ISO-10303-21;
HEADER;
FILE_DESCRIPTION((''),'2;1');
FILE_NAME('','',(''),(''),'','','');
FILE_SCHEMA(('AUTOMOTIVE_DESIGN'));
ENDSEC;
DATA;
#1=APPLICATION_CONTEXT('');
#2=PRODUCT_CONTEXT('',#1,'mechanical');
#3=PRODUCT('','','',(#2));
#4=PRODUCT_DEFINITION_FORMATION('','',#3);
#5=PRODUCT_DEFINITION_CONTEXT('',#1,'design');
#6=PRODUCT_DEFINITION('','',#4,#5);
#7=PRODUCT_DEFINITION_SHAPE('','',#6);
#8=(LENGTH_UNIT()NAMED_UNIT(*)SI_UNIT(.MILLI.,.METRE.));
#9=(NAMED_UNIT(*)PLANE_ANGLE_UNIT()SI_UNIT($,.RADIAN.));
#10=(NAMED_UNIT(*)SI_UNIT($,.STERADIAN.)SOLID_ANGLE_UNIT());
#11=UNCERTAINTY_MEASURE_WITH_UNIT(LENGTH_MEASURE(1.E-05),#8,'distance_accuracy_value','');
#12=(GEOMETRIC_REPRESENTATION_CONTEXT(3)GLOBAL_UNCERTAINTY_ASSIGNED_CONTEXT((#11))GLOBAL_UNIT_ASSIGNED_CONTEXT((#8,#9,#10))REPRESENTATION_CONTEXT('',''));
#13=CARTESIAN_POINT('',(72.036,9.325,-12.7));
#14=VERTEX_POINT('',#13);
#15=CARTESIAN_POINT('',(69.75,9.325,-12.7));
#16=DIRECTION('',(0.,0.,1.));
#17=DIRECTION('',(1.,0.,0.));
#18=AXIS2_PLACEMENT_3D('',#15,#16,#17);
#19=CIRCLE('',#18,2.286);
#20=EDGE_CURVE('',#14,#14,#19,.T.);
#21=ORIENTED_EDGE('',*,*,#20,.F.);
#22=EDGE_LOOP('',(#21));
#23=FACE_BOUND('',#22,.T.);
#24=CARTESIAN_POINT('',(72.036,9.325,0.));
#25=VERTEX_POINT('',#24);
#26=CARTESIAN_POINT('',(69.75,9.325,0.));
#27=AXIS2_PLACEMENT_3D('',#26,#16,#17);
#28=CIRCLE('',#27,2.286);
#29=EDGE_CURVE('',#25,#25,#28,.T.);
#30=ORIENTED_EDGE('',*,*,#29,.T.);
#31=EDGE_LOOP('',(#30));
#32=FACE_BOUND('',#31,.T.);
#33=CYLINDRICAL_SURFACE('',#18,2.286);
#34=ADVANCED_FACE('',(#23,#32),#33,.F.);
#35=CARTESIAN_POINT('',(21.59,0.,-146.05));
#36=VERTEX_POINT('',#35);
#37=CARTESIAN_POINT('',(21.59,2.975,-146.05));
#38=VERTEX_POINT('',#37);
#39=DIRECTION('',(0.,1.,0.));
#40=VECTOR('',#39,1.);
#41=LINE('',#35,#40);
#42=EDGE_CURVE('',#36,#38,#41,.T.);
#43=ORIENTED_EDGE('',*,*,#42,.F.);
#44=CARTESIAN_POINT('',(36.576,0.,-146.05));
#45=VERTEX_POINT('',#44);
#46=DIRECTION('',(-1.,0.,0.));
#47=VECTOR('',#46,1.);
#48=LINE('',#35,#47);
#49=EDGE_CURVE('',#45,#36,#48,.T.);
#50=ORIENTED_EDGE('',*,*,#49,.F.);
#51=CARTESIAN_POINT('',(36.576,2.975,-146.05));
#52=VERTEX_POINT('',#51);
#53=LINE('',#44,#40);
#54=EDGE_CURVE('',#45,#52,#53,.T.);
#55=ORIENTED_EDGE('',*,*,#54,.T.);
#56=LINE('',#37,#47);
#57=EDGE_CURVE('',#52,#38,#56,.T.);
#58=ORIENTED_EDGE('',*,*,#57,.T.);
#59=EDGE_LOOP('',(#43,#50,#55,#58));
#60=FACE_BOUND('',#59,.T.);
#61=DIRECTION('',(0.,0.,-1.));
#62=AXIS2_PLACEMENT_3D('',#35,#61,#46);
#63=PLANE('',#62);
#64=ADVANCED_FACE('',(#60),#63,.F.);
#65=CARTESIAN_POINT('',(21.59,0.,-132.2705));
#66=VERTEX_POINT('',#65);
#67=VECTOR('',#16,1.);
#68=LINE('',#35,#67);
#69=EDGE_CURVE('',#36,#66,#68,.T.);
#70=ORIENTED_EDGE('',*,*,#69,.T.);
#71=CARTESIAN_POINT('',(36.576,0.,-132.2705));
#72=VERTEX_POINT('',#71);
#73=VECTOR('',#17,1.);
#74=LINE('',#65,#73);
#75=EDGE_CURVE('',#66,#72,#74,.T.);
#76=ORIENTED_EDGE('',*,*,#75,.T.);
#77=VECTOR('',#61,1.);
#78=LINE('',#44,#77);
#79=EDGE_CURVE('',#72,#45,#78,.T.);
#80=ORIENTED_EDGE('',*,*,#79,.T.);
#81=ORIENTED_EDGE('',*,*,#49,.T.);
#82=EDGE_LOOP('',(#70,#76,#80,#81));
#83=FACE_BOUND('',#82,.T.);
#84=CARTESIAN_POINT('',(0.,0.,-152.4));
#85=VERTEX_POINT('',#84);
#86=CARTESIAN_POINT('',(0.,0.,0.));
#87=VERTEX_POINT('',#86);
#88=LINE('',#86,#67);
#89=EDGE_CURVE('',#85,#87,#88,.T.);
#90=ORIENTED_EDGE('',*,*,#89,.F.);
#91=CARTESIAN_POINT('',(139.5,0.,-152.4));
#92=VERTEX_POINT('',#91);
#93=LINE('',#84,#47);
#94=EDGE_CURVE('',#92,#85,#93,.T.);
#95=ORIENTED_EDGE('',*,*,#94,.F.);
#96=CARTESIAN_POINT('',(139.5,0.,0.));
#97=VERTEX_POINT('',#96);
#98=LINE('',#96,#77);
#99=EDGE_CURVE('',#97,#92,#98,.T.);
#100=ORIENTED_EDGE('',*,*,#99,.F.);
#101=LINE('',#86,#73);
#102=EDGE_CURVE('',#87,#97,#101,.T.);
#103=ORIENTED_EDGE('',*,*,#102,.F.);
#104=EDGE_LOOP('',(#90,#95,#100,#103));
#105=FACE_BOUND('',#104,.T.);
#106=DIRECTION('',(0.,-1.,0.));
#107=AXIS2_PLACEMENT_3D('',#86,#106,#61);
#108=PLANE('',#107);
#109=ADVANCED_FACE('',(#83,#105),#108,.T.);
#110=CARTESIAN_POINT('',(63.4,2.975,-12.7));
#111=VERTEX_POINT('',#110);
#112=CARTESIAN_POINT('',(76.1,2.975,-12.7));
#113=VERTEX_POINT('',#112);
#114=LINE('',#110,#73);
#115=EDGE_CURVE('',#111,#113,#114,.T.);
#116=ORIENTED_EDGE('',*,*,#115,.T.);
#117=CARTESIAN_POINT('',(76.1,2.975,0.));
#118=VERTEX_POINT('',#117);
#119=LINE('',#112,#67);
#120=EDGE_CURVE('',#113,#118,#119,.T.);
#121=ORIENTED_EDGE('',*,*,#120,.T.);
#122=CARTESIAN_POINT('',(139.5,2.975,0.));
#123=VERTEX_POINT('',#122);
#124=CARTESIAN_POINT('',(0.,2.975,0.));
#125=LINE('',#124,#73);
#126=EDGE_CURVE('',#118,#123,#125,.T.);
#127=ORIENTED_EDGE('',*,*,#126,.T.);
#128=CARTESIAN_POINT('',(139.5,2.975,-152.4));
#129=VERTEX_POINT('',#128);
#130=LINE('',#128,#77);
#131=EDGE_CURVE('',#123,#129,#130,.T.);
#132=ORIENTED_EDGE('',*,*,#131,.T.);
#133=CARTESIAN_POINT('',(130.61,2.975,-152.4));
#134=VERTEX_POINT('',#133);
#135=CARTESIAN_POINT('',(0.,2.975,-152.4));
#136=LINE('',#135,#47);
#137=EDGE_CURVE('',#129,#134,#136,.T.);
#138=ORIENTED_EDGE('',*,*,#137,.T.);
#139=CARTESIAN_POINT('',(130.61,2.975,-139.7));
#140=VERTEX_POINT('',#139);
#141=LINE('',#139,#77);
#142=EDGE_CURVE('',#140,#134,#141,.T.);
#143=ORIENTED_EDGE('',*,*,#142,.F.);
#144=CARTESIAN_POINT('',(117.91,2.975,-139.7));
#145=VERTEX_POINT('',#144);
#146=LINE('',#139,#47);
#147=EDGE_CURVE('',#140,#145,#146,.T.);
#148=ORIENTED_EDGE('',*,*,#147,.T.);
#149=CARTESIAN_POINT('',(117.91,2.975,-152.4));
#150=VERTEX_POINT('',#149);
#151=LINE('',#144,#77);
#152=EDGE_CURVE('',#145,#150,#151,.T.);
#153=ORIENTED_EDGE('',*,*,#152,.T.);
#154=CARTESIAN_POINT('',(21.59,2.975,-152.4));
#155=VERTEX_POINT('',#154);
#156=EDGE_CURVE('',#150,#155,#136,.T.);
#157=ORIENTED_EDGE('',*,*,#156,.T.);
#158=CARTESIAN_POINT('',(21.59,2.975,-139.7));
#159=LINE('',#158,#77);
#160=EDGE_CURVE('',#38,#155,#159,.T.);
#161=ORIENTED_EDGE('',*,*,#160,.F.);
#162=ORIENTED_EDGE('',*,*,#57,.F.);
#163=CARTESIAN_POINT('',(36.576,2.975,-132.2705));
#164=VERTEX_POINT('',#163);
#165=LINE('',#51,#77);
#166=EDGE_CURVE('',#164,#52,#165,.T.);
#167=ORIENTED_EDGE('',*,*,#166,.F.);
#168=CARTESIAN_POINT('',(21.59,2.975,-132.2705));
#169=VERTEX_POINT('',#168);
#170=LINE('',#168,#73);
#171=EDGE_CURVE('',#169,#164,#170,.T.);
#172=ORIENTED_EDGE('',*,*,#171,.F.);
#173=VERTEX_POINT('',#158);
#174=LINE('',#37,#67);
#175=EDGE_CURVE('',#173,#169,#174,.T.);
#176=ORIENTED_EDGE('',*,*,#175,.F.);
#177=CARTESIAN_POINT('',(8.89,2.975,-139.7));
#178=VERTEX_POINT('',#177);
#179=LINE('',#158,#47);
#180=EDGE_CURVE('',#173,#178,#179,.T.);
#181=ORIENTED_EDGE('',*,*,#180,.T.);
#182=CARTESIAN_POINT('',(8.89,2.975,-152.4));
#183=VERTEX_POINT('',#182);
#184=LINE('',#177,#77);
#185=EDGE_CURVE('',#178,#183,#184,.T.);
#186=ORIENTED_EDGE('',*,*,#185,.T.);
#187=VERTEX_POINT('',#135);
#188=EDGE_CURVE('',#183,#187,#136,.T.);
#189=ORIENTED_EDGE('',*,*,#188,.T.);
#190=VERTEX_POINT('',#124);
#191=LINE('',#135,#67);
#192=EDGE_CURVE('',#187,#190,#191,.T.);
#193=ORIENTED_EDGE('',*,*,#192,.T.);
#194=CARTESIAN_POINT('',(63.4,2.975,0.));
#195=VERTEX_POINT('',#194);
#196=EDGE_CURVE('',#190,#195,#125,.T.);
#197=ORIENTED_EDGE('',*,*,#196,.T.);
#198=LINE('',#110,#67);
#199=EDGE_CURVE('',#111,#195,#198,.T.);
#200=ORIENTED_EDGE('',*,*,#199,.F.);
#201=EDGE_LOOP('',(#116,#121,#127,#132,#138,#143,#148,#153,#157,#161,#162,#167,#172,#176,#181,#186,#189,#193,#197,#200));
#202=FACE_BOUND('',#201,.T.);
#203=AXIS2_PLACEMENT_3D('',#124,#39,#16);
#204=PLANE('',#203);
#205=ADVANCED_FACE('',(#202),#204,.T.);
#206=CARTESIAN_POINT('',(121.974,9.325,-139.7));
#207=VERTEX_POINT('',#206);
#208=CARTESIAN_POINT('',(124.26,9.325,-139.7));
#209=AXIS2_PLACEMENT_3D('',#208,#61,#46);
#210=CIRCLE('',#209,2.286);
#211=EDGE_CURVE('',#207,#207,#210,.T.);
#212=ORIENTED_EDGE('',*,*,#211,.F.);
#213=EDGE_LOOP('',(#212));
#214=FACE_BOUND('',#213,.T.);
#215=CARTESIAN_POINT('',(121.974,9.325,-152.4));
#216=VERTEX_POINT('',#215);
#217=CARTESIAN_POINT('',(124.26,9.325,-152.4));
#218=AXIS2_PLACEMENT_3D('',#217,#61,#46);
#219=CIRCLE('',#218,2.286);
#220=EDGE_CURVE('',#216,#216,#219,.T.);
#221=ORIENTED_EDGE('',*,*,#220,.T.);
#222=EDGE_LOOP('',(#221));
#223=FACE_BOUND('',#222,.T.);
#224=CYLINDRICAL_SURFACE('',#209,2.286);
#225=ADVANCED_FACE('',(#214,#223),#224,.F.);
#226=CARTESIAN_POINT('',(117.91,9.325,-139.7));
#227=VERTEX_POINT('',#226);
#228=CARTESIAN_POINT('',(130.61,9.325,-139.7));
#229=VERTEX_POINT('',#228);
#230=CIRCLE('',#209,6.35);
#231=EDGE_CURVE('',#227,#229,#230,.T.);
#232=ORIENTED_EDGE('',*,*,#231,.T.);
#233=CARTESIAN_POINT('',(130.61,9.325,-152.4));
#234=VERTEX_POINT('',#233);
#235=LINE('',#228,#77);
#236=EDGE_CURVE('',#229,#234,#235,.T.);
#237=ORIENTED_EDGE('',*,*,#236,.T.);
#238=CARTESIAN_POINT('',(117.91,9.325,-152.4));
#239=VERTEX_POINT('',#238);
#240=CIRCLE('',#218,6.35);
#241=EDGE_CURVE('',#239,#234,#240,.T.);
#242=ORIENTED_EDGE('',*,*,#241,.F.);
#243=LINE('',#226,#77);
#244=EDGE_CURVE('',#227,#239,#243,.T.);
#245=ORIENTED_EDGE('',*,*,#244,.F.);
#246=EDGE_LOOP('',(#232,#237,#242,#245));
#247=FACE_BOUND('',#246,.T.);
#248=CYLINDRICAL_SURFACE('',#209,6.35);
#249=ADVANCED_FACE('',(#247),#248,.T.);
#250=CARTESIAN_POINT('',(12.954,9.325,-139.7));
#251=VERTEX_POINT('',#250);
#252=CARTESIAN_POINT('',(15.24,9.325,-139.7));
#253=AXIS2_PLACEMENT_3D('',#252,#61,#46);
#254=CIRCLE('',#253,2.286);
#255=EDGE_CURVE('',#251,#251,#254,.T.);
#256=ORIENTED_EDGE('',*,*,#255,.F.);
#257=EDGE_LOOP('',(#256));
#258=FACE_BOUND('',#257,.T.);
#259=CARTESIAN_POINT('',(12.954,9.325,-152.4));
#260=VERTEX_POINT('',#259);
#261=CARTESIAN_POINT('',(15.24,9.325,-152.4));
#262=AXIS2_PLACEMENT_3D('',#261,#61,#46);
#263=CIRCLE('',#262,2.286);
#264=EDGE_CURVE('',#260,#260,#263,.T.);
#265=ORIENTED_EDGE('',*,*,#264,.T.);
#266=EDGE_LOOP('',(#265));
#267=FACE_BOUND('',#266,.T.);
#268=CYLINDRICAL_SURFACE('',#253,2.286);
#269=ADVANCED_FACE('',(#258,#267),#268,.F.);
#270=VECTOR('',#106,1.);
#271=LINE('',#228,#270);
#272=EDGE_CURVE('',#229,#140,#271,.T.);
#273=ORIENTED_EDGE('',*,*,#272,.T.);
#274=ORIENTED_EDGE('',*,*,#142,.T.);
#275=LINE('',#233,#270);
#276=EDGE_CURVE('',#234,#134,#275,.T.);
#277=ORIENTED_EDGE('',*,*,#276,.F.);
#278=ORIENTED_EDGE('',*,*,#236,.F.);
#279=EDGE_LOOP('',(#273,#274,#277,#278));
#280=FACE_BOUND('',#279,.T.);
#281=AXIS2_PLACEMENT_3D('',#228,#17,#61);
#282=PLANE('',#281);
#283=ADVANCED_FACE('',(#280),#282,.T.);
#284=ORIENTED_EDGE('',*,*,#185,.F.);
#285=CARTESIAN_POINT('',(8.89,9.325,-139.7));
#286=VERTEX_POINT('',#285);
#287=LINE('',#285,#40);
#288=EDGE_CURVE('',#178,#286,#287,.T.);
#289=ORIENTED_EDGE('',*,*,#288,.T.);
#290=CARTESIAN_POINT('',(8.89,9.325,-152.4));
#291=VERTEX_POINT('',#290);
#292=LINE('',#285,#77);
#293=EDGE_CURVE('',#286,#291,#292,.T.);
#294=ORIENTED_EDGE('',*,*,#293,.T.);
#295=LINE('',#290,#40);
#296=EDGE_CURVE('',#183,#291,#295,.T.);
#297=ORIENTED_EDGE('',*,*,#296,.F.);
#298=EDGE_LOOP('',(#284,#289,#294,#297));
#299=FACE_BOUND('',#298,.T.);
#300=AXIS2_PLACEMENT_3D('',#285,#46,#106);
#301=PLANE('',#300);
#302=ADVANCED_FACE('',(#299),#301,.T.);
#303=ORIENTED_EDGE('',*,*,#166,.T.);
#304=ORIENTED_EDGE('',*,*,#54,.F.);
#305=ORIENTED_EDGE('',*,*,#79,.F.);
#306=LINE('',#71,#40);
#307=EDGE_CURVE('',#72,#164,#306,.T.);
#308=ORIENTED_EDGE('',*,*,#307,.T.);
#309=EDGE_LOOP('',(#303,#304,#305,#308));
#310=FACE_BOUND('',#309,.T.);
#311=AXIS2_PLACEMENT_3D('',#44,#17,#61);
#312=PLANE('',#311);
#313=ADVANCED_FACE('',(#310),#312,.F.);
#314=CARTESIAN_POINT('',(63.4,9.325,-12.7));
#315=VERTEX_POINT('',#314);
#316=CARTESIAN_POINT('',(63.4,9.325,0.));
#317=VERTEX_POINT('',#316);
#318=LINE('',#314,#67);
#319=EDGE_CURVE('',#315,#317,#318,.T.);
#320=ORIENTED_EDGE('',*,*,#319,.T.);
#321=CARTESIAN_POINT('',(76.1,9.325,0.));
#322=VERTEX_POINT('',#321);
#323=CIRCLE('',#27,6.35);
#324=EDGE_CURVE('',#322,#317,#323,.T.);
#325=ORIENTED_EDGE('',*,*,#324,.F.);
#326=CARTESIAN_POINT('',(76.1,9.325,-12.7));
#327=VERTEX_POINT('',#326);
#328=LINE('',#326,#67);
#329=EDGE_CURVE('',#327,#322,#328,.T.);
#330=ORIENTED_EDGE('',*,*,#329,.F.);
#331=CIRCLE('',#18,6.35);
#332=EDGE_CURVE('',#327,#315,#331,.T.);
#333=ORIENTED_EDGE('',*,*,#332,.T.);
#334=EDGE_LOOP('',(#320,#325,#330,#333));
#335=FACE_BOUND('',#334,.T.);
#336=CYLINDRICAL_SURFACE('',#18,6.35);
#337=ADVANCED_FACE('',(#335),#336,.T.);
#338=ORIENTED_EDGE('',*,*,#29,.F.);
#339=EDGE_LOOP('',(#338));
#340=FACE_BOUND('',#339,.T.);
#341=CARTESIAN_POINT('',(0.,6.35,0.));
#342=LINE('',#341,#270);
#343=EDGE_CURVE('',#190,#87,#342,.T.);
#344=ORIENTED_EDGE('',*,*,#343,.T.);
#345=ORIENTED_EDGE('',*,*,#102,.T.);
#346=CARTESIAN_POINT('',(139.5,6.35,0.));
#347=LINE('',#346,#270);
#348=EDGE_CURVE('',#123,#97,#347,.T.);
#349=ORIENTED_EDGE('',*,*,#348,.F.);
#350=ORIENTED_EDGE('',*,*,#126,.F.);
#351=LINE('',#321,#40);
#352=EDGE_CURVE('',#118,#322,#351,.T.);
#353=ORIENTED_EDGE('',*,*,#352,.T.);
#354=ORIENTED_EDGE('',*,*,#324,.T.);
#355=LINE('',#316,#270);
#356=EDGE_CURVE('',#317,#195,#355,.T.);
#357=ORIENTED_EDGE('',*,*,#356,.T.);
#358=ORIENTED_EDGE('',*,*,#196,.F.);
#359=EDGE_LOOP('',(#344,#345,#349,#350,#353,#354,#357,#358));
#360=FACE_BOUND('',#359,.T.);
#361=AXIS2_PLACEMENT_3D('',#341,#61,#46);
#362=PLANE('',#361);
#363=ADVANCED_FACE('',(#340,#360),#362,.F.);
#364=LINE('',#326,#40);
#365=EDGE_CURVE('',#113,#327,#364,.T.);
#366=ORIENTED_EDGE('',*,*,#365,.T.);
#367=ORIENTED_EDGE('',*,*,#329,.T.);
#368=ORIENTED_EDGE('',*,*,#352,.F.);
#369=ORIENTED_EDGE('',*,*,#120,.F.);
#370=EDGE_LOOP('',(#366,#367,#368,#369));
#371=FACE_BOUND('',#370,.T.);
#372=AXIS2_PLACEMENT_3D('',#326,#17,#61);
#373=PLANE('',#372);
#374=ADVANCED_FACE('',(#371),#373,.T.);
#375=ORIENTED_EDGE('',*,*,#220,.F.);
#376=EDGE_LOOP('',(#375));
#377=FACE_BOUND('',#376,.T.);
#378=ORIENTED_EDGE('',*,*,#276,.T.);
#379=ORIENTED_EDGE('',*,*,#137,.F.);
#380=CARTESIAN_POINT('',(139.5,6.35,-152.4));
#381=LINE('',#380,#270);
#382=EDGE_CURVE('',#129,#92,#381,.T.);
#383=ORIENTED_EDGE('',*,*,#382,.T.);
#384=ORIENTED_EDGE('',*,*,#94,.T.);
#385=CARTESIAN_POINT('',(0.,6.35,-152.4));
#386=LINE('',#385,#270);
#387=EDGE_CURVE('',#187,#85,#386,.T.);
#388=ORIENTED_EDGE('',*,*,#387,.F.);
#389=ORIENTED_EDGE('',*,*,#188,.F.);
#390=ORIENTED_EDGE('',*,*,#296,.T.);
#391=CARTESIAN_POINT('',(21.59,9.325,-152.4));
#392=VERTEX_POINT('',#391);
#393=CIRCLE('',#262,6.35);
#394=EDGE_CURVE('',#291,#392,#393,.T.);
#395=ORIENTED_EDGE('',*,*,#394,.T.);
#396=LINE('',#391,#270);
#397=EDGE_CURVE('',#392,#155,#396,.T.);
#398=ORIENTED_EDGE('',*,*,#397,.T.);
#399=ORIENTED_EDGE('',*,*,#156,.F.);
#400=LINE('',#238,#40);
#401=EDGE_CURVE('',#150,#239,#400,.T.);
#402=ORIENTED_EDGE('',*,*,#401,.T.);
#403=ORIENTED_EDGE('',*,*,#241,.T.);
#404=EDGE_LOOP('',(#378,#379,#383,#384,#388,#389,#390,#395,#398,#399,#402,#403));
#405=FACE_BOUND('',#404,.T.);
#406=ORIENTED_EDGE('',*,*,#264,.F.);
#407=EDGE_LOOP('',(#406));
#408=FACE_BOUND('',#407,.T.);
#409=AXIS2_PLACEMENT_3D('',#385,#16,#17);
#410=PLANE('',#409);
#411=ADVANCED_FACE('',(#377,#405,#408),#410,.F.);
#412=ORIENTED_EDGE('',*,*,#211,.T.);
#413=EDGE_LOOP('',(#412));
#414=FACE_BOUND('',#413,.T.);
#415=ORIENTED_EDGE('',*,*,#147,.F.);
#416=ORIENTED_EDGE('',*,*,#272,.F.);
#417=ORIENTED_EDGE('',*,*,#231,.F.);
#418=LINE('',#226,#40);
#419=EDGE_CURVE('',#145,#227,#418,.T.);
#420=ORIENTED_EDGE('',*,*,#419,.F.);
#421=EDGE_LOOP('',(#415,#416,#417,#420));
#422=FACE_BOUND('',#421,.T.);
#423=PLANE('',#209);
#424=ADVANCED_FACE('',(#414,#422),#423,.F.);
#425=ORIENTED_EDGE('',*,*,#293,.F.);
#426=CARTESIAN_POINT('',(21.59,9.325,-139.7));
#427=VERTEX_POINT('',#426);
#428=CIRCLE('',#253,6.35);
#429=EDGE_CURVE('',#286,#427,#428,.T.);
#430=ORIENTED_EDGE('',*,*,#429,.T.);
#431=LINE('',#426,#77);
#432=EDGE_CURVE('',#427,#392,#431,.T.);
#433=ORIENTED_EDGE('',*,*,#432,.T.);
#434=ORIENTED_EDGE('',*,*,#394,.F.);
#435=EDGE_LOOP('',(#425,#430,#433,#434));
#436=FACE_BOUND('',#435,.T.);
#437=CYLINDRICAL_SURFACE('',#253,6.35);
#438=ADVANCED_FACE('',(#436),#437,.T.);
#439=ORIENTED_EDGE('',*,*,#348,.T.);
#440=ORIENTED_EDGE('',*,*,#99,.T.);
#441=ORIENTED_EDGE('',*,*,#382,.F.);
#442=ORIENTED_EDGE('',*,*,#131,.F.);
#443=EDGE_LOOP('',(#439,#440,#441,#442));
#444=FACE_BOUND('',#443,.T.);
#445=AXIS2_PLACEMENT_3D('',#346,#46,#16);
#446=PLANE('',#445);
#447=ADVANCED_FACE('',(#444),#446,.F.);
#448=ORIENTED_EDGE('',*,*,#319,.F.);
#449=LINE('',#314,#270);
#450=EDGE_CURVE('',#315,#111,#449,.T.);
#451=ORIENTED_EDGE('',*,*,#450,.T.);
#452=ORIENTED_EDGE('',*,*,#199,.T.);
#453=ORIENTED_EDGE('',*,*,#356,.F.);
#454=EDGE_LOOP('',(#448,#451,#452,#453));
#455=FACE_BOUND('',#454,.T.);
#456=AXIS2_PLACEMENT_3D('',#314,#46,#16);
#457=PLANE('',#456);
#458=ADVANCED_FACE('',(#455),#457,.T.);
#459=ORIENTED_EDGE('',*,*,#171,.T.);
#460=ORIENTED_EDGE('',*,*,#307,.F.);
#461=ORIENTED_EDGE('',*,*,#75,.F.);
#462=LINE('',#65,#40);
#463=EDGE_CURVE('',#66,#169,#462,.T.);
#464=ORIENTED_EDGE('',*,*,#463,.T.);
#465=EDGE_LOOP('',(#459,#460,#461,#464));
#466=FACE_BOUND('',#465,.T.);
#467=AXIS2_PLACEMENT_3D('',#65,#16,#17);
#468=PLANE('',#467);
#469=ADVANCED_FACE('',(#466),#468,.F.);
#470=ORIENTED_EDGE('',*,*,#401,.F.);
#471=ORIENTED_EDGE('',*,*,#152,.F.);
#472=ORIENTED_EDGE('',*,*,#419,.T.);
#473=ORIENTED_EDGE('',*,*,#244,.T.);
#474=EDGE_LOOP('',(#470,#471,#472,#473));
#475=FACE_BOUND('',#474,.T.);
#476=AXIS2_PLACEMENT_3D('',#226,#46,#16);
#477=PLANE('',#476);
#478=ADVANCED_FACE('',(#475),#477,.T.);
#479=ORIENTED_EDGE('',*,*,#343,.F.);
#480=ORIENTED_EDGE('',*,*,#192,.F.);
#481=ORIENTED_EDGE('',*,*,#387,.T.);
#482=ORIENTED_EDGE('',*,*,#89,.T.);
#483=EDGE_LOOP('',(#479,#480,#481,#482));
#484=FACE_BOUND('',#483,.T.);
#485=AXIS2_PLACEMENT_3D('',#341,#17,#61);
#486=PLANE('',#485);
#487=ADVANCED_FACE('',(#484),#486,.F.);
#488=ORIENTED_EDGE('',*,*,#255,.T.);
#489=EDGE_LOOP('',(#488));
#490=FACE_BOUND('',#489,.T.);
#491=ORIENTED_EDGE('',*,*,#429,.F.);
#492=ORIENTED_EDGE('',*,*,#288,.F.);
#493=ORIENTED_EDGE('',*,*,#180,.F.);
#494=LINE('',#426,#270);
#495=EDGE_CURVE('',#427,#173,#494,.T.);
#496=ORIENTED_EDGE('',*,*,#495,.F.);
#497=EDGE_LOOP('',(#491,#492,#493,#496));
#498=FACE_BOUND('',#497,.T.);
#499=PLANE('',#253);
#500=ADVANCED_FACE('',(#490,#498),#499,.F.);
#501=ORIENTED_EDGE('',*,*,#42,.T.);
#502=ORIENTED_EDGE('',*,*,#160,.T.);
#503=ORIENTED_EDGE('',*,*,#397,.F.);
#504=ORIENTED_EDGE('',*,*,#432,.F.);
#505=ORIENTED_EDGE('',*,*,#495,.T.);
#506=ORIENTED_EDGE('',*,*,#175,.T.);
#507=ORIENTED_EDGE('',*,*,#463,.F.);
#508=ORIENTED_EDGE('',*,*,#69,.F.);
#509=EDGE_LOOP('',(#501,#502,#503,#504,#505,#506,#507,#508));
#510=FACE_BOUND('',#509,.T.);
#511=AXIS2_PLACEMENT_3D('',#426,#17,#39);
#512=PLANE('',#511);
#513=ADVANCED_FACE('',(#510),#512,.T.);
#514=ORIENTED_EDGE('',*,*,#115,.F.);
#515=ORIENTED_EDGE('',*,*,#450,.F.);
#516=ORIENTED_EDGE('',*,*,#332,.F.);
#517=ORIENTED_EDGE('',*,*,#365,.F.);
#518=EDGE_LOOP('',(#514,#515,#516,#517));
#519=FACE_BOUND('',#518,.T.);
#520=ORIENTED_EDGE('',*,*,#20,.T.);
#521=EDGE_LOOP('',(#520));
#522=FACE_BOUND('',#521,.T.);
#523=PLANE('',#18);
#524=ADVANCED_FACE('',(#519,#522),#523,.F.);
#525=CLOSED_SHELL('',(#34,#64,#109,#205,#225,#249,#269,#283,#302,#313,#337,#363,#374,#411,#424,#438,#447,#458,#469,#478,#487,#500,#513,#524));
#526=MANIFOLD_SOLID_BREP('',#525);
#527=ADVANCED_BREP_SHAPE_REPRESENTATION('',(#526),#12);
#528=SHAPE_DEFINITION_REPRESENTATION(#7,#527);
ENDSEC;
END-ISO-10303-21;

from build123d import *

# Parameters (mm, degrees)
SKETCH1_W           = 139.5
SKETCH1_H           = 152.4
BOSS_EXTRUDE1_DEPTH = 6.35
SKETCH2_W           = 139.5
SKETCH2_H           = 152.4
CUT_EXTRUDE1_DEPTH  = 3.375
SKETCH3_R           = 2.286
BOSS_EXTRUDE2_DEPTH = 12.7
SKETCH4_R           = 2.286
BOSS_EXTRUDE3_DEPTH = 12.7
SKETCH5_W           = 14.986
SKETCH5_H           = 13.7795
CUT_EXTRUDE2_DEPTH  = 3.975


with BuildPart() as part:
    # Sketch1 → Boss-Extrude1 (new body)
    with BuildSketch(Plane(origin=(0, 0, 0), x_dir=(1, 0, 0), z_dir=(0, 1, 0))):
        with Locations((69.75, 76.2)):
            Rectangle(SKETCH1_W, SKETCH1_H)
    extrude(amount=BOSS_EXTRUDE1_DEPTH)

    # Sketch2 → Cut-Extrude1 (cut)
    with BuildSketch(Plane(origin=(0, 6.35, 0), x_dir=(1, 0, 0), z_dir=(0, 1, 0))):
        with Locations((69.75, 76.2)):
            Rectangle(SKETCH2_W, SKETCH2_H)
    extrude(amount=-CUT_EXTRUDE1_DEPTH, mode=Mode.SUBTRACT)

    # Sketch3 → Boss-Extrude2 (add)
    with BuildSketch(Plane.XY):
        with BuildLine():
            Line((63.4, 9.325), (63.4, 2.975))
            Line((63.4, 2.975), (76.1, 2.975))
            Line((76.1, 2.975), (76.1, 9.325000158))
            ThreePointArc((76.1, 9.325000158), (69.749999921, 15.675000158), (63.4, 9.325))
        make_face()
        with Locations((69.75, 9.325000158)):
            Circle(SKETCH3_R, mode=Mode.SUBTRACT)
    extrude(amount=-BOSS_EXTRUDE2_DEPTH)

    # Sketch4 → Boss-Extrude3 (add)
    with BuildSketch(Plane(origin=(0, 0, -152.4), x_dir=(-1, 0, 0), z_dir=(0, 0, -1))):
        with BuildLine():
            Line((-130.61, 9.325), (-130.61, 2.975))
            Line((-130.61, 2.975), (-117.91, 2.975))
            Line((-117.91, 2.975), (-117.91, 9.325))
            ThreePointArc((-117.91, 9.325), (-124.26, 15.675), (-130.61, 9.325))
        make_face()
        with Locations((-124.26, 9.325)):
            Circle(SKETCH4_R, mode=Mode.SUBTRACT)
        with BuildLine():
            Line((-21.59, 9.325), (-21.59, 2.975))
            Line((-21.59, 2.975), (-8.89, 2.975))
            Line((-8.89, 2.975), (-8.89, 9.325))
            ThreePointArc((-8.89, 9.325), (-15.24, 15.675), (-21.59, 9.325))
        make_face()
        with Locations((-15.24, 9.325)):
            Circle(SKETCH4_R, mode=Mode.SUBTRACT)
    extrude(amount=-BOSS_EXTRUDE3_DEPTH)

    # Sketch5 → Cut-Extrude2 (cut, through all)
    with BuildSketch(Plane(origin=(0, 2.975, 0), x_dir=(1, 0, 0), z_dir=(0, 1, 0))):
        with Locations((29.083, 139.16025)):
            Rectangle(SKETCH5_W, SKETCH5_H)
    extrude(amount=-CUT_EXTRUDE2_DEPTH, mode=Mode.SUBTRACT)


solid = part.part
